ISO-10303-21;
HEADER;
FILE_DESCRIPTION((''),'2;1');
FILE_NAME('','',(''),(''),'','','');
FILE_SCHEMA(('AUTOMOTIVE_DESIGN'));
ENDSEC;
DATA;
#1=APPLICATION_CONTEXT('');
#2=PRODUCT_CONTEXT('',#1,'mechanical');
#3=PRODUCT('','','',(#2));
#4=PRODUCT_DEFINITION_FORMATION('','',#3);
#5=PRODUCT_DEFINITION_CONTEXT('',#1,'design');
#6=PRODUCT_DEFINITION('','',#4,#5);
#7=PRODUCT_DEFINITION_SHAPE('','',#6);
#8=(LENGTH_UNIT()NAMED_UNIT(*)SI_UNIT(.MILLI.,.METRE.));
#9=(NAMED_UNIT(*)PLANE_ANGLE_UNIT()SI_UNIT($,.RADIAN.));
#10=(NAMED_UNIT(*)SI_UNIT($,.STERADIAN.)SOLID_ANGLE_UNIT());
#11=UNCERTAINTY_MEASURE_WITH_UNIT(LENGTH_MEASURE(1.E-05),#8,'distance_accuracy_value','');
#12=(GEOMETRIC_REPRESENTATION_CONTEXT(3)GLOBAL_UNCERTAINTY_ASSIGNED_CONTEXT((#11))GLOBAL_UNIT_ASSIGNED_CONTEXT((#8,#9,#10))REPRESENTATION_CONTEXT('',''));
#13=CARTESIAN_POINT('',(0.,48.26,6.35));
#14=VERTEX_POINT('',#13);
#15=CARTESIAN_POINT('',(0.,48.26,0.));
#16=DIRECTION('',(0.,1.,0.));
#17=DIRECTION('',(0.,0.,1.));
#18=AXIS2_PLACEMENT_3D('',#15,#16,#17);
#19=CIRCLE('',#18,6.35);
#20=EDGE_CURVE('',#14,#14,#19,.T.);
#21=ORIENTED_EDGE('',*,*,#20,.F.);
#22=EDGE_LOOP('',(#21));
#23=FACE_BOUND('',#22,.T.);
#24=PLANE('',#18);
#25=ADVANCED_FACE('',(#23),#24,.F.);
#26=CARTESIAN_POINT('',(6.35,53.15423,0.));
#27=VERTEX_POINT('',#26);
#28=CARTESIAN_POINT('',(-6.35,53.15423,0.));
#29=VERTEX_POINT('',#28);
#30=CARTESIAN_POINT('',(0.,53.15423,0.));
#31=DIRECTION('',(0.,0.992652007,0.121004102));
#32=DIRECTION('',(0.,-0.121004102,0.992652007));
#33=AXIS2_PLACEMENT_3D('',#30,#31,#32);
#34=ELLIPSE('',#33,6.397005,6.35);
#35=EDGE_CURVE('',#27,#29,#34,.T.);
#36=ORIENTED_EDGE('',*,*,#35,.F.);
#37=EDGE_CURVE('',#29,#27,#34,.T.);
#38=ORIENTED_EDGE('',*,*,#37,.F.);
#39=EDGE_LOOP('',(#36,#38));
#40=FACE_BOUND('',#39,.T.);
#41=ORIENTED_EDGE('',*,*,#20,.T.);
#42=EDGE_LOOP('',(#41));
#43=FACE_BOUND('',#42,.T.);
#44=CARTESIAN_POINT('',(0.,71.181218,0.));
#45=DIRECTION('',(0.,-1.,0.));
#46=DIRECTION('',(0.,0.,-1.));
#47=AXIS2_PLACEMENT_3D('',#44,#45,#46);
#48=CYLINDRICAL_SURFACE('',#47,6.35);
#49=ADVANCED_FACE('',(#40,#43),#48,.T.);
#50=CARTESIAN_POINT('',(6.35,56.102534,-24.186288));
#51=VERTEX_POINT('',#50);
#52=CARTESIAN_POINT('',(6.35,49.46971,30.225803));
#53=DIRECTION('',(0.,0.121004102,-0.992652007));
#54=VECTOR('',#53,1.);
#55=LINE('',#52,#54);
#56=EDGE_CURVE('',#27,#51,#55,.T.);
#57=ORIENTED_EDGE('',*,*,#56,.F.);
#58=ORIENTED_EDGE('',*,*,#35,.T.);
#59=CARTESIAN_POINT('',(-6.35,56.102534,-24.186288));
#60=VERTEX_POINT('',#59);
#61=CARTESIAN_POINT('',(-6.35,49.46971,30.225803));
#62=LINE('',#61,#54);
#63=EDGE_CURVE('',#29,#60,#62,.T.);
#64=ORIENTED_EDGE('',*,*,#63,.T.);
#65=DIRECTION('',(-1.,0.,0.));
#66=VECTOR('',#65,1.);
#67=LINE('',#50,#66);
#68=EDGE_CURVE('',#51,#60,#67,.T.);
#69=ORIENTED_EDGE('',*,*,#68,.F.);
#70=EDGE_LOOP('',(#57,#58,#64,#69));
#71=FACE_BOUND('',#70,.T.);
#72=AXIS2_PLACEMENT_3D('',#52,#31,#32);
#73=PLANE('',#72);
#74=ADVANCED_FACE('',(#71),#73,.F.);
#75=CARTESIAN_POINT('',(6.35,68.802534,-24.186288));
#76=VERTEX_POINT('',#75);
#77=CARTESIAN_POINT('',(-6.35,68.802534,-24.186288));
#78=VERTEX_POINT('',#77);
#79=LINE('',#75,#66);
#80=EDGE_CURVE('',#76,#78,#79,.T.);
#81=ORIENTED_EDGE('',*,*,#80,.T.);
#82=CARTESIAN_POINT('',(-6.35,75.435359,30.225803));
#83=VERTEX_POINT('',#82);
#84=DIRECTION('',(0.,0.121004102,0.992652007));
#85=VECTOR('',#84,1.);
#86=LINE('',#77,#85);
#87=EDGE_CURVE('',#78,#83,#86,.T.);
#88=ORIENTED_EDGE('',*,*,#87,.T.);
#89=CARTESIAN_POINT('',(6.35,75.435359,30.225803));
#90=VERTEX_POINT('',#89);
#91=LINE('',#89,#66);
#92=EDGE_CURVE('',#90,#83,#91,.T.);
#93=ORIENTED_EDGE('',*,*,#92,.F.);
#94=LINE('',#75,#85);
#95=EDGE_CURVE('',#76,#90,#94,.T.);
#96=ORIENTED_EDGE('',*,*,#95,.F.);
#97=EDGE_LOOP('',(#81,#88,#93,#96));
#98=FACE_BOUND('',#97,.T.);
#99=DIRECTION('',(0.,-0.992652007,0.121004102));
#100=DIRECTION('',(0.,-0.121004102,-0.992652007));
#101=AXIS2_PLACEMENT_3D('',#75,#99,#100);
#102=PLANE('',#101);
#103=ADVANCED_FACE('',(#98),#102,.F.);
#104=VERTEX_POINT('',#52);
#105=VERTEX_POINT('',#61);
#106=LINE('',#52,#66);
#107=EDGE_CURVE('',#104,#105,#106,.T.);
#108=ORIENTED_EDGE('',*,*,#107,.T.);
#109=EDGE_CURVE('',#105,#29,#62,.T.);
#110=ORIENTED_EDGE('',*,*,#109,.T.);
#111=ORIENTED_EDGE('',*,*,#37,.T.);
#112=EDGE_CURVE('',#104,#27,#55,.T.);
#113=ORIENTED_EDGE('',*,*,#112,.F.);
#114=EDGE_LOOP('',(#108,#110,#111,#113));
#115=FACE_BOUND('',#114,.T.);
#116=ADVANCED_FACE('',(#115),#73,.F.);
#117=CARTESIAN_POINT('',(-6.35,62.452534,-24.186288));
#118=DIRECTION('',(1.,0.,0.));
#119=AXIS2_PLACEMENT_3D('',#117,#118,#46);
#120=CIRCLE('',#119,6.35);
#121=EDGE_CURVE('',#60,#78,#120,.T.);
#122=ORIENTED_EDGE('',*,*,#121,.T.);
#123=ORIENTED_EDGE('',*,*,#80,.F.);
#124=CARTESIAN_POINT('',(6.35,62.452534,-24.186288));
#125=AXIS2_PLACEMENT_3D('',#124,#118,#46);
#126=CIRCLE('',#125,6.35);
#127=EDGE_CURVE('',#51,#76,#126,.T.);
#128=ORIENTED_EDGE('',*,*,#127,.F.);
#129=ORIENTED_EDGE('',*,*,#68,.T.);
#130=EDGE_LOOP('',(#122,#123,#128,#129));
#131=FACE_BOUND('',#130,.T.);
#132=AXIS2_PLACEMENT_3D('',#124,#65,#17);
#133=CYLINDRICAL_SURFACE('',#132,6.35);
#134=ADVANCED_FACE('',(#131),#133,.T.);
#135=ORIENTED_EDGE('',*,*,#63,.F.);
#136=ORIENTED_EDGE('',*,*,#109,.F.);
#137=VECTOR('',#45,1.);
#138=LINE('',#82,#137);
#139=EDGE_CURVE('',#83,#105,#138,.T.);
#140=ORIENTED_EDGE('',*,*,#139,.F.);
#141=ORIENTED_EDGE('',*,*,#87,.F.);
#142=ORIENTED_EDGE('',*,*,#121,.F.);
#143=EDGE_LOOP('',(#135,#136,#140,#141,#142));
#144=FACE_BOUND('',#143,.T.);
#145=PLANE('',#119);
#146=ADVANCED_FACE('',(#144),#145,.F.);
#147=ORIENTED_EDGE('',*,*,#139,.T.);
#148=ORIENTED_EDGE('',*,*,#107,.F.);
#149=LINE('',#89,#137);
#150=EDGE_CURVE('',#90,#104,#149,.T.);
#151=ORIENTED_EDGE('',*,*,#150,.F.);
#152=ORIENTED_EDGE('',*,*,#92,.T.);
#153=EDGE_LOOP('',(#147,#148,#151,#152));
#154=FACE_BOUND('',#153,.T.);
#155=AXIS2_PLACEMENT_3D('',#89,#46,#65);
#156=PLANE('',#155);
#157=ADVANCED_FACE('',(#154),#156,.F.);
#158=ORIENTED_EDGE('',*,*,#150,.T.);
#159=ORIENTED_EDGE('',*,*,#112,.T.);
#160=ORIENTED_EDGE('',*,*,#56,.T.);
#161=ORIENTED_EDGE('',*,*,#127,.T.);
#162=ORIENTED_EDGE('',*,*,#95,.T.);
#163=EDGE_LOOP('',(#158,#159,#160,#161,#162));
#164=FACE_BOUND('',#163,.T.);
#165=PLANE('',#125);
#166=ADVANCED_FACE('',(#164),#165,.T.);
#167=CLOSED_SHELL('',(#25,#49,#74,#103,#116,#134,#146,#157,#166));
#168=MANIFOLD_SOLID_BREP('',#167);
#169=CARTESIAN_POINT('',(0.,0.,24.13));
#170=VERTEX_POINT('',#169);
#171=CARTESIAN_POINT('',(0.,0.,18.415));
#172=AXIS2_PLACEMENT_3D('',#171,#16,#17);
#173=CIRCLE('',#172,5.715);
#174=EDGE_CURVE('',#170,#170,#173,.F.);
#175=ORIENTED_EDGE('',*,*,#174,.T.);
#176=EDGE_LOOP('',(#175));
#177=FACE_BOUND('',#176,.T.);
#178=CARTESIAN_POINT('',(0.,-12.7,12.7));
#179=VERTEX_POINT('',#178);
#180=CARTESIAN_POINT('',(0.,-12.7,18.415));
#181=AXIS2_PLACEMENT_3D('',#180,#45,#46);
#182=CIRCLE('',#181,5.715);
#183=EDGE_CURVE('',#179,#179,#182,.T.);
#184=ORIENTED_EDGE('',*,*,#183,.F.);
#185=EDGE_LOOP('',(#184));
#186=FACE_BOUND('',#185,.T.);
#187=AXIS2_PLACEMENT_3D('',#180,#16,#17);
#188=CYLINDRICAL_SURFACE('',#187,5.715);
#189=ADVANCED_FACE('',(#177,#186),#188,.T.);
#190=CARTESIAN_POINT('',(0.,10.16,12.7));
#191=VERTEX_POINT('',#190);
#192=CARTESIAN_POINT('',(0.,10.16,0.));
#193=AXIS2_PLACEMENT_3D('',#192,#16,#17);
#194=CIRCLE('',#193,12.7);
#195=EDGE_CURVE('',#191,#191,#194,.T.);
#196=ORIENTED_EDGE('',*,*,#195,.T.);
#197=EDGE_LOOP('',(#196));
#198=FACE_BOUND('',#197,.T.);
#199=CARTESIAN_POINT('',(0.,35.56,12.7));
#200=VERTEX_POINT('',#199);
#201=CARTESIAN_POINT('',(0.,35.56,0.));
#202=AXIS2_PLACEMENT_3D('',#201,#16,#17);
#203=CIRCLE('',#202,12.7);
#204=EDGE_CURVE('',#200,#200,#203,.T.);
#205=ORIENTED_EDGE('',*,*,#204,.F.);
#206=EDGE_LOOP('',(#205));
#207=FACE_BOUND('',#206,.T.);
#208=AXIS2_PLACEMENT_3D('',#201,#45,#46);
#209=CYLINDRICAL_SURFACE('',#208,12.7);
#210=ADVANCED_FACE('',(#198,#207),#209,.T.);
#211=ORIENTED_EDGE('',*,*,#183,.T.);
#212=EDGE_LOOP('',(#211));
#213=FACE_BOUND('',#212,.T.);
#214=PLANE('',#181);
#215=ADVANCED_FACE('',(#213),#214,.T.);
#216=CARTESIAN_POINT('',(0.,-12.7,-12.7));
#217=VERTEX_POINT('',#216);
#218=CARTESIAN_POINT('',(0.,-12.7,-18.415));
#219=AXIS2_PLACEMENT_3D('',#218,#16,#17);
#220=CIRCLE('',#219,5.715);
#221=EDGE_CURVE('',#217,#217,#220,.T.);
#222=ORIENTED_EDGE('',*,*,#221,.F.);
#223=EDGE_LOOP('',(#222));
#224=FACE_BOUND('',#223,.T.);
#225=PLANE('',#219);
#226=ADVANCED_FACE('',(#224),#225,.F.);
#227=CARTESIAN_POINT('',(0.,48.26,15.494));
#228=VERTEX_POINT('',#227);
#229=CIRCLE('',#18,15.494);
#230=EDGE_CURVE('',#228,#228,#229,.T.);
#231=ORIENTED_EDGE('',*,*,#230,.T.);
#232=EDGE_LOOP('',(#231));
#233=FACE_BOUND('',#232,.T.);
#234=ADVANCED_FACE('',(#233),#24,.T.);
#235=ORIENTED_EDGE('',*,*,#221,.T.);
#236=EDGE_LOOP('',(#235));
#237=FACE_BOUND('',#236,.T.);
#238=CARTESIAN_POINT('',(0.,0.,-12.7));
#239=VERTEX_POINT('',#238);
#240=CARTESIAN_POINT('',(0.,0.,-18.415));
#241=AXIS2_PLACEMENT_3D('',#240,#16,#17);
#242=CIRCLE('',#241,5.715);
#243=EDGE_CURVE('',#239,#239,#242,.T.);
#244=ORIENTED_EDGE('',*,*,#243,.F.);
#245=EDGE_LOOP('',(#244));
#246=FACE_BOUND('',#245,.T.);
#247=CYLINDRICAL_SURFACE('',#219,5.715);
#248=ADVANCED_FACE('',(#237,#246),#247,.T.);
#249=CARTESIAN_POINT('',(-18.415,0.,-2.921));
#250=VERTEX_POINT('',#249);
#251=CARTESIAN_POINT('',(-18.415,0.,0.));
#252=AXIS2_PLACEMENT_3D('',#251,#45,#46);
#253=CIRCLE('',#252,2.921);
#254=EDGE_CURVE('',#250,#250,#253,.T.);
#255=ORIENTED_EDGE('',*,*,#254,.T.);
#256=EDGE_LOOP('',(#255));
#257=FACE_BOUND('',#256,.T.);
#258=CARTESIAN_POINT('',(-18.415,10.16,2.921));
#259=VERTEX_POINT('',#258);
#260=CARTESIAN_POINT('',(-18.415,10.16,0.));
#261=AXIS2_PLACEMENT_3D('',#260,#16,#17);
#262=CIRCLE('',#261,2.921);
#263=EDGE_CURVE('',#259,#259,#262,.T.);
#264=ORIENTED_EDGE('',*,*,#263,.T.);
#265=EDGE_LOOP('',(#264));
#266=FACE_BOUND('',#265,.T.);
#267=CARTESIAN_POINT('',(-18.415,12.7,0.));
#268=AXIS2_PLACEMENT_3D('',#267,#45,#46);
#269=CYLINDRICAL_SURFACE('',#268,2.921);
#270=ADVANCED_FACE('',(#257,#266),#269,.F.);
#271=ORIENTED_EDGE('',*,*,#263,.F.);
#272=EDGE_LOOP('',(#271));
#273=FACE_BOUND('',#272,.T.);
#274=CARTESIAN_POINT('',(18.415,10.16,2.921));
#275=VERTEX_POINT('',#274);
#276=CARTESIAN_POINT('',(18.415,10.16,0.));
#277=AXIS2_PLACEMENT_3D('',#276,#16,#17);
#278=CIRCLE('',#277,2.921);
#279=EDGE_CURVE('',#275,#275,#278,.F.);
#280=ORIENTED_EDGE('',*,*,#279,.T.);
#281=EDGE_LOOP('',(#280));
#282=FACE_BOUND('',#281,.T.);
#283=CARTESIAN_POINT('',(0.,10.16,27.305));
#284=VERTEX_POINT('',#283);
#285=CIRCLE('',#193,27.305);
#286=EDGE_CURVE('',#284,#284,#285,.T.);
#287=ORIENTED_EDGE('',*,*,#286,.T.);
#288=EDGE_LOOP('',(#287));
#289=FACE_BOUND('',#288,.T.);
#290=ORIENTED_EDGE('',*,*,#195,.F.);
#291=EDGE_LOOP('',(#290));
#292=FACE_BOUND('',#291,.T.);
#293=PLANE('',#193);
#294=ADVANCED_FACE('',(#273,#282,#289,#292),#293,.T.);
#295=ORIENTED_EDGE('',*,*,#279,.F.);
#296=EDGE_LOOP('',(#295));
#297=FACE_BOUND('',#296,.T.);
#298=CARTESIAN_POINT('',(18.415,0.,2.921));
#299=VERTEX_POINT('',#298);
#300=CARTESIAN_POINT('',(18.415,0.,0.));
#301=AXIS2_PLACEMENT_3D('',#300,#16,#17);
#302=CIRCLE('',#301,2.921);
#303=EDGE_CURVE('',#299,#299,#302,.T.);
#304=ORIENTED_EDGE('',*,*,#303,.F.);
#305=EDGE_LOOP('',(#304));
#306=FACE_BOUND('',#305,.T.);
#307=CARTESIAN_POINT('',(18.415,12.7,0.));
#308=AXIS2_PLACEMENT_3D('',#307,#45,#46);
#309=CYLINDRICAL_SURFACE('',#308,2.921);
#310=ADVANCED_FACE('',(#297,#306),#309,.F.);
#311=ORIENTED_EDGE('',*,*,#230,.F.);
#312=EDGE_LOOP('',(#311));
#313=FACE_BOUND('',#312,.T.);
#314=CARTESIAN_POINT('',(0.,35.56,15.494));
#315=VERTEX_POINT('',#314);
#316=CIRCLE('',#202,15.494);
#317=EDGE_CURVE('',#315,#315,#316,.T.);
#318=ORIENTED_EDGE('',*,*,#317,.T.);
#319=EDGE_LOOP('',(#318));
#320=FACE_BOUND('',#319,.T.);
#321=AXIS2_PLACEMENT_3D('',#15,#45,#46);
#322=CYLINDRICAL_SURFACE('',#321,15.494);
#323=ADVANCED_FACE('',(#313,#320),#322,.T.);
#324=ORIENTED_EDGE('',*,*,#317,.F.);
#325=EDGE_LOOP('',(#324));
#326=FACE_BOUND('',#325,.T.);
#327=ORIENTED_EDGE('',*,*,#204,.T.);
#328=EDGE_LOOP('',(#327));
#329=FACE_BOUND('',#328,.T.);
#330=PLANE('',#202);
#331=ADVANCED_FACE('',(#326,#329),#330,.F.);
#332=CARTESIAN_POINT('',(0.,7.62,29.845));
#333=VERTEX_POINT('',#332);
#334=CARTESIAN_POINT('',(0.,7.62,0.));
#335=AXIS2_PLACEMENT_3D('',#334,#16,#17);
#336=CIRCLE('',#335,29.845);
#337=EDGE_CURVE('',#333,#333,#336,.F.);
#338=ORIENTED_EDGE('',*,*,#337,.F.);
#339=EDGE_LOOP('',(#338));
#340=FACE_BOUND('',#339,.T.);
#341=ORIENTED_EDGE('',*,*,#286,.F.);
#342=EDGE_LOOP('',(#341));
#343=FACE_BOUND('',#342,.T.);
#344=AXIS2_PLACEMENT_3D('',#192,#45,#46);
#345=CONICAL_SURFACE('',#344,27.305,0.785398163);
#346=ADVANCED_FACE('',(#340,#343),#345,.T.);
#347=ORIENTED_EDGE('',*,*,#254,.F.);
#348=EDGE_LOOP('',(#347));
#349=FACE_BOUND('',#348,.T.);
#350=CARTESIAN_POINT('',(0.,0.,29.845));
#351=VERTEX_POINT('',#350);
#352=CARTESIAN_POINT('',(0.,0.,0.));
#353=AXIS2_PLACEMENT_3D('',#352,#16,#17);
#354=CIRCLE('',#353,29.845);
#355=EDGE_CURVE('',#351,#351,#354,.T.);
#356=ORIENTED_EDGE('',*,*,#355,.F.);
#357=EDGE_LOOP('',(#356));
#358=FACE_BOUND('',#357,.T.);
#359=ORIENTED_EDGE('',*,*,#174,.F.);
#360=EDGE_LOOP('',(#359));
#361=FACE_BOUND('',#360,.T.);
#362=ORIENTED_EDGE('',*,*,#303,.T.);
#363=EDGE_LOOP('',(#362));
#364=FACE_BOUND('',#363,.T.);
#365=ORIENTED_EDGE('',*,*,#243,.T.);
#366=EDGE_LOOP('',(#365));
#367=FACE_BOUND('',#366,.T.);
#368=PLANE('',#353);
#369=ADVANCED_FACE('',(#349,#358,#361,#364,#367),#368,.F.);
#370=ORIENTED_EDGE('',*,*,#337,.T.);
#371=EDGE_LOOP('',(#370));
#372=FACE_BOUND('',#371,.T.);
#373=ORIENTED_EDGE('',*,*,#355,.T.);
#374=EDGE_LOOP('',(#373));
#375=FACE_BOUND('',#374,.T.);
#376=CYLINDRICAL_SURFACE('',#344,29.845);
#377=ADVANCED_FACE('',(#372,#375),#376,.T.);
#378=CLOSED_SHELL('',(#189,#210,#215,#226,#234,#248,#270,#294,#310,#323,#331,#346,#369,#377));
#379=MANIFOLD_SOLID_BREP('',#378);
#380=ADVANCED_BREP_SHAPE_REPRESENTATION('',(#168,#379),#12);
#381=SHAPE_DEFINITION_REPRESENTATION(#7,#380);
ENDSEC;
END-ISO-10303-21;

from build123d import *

# Parameters (mm, degrees)
SKETCH2_R           = 29.845
BOSS_EXTRUDE1_DEPTH = 10.16
SKETCH1_R           = 5.715
BOSS_EXTRUDE2_DEPTH = 12.7
SKETCH1_3_R         = 2.921
CUT_EXTRUDE1_DEPTH  = 12.7
SKETCH3_R           = 12.7
BOSS_EXTRUDE3_DEPTH = 25.4
CHAMFER1_SIZE       = 2.54
SKETCH4_R           = 15.494
BOSS_EXTRUDE4_DEPTH = 12.7
BOSS_EXTRUDE5_DEPTH = 6.35
BOSS_EXTRUDE6_REACH = 76.427
SKETCH5_R           = 6.35


with BuildPart() as part:
    # Sketch2 → Boss-Extrude1 (new body)
    with BuildSketch(Plane(origin=(0, 0, 0), x_dir=(1, 0, 0), z_dir=(0, 1, 0))):
        Circle(SKETCH2_R)
    extrude(amount=BOSS_EXTRUDE1_DEPTH)

    # Sketch1 → Boss-Extrude2 (add)
    with BuildSketch(Plane(origin=(0, 0, 0), x_dir=(1, 0, 0), z_dir=(0, 1, 0))):
        with Locations((0, 18.415)):
            Circle(SKETCH1_R)
        with Locations((0, -18.415)):
            Circle(SKETCH1_R)
    extrude(amount=-BOSS_EXTRUDE2_DEPTH)

    # Sketch1<3> → Cut-Extrude1 (cut)
    with BuildSketch(Plane(origin=(0, 0, 0), x_dir=(1, 0, 0), z_dir=(0, 1, 0))):
        with Locations((18.415, 0)):
            Circle(SKETCH1_3_R)
        with Locations((-18.415, 0)):
            Circle(SKETCH1_3_R)
    extrude(amount=CUT_EXTRUDE1_DEPTH, mode=Mode.SUBTRACT)

    # Sketch3 → Boss-Extrude3 (add)
    with BuildSketch(Plane(origin=(0, 10.16, 0), x_dir=(1, 0, 0), z_dir=(0, 1, 0))):
        Circle(SKETCH3_R)
    extrude(amount=BOSS_EXTRUDE3_DEPTH)

    # Chamfer1
    chamfer1_edges = [part.edges().sort_by_distance(p)[0] for p in [
        (-29.845, 10.16, 0),
    ]]
    chamfer(chamfer1_edges, length=CHAMFER1_SIZE)

    # Sketch4 → Boss-Extrude4 (add)
    with BuildSketch(Plane(origin=(0, 35.56, 0), x_dir=(1, 0, 0), z_dir=(0, 1, 0))):
        Circle(SKETCH4_R)
    extrude(amount=BOSS_EXTRUDE4_DEPTH)


with BuildPart() as body_2:
    # Sketch6 → Boss-Extrude5 (new, symmetric)
    with BuildSketch(Plane(origin=(0, 0, 0), x_dir=(0, 0, -1), z_dir=(1, 0, 0))):
        with BuildLine():
            Line((24.18628847, 68.802534381), (-30.225802667, 75.435358558))
            Line((-30.225802667, 75.435358558), (-30.225802667, 49.469710204))
            Line((-30.225802667, 49.469710204), (24.18628847, 56.102534381))
            ThreePointArc((24.18628847, 56.102534381), (30.53628847, 62.452534381), (24.18628847, 68.802534381))
        make_face()
    extrude(amount=BOSS_EXTRUDE5_DEPTH, both=True)


with BuildPart() as body_3:
    # Boss-Extrude6: up to this plane
    boss_extrude6_end = Plane(origin=(6.35, 49.469710204, 30.225802667), z_dir=(0, 0.9926520071358438, 0.1210041021171628))
    # Sketch5 → Boss-Extrude6 (new, up to the surface)
    with BuildSketch(Plane(origin=(0, 48.26, 0), x_dir=(1, 0, 0), z_dir=(0, 1, 0)), mode=Mode.PRIVATE) as boss_extrude6_sk1:
        Circle(SKETCH5_R)
    boss_extrude6_tool1 = split(extrude(boss_extrude6_sk1.sketch, amount=BOSS_EXTRUDE6_REACH, mode=Mode.PRIVATE), bisect_by=boss_extrude6_end, keep=Keep.BOTH, mode=Mode.PRIVATE)
    add(boss_extrude6_tool1.solids().sort_by_distance((0, 48.26, 0))[0])


with BuildPart() as body_2_1:
    add(body_2.part)

    # Combine1: union body 3
    add(body_3.part)


solid = Compound([part.part, body_2_1.part])
